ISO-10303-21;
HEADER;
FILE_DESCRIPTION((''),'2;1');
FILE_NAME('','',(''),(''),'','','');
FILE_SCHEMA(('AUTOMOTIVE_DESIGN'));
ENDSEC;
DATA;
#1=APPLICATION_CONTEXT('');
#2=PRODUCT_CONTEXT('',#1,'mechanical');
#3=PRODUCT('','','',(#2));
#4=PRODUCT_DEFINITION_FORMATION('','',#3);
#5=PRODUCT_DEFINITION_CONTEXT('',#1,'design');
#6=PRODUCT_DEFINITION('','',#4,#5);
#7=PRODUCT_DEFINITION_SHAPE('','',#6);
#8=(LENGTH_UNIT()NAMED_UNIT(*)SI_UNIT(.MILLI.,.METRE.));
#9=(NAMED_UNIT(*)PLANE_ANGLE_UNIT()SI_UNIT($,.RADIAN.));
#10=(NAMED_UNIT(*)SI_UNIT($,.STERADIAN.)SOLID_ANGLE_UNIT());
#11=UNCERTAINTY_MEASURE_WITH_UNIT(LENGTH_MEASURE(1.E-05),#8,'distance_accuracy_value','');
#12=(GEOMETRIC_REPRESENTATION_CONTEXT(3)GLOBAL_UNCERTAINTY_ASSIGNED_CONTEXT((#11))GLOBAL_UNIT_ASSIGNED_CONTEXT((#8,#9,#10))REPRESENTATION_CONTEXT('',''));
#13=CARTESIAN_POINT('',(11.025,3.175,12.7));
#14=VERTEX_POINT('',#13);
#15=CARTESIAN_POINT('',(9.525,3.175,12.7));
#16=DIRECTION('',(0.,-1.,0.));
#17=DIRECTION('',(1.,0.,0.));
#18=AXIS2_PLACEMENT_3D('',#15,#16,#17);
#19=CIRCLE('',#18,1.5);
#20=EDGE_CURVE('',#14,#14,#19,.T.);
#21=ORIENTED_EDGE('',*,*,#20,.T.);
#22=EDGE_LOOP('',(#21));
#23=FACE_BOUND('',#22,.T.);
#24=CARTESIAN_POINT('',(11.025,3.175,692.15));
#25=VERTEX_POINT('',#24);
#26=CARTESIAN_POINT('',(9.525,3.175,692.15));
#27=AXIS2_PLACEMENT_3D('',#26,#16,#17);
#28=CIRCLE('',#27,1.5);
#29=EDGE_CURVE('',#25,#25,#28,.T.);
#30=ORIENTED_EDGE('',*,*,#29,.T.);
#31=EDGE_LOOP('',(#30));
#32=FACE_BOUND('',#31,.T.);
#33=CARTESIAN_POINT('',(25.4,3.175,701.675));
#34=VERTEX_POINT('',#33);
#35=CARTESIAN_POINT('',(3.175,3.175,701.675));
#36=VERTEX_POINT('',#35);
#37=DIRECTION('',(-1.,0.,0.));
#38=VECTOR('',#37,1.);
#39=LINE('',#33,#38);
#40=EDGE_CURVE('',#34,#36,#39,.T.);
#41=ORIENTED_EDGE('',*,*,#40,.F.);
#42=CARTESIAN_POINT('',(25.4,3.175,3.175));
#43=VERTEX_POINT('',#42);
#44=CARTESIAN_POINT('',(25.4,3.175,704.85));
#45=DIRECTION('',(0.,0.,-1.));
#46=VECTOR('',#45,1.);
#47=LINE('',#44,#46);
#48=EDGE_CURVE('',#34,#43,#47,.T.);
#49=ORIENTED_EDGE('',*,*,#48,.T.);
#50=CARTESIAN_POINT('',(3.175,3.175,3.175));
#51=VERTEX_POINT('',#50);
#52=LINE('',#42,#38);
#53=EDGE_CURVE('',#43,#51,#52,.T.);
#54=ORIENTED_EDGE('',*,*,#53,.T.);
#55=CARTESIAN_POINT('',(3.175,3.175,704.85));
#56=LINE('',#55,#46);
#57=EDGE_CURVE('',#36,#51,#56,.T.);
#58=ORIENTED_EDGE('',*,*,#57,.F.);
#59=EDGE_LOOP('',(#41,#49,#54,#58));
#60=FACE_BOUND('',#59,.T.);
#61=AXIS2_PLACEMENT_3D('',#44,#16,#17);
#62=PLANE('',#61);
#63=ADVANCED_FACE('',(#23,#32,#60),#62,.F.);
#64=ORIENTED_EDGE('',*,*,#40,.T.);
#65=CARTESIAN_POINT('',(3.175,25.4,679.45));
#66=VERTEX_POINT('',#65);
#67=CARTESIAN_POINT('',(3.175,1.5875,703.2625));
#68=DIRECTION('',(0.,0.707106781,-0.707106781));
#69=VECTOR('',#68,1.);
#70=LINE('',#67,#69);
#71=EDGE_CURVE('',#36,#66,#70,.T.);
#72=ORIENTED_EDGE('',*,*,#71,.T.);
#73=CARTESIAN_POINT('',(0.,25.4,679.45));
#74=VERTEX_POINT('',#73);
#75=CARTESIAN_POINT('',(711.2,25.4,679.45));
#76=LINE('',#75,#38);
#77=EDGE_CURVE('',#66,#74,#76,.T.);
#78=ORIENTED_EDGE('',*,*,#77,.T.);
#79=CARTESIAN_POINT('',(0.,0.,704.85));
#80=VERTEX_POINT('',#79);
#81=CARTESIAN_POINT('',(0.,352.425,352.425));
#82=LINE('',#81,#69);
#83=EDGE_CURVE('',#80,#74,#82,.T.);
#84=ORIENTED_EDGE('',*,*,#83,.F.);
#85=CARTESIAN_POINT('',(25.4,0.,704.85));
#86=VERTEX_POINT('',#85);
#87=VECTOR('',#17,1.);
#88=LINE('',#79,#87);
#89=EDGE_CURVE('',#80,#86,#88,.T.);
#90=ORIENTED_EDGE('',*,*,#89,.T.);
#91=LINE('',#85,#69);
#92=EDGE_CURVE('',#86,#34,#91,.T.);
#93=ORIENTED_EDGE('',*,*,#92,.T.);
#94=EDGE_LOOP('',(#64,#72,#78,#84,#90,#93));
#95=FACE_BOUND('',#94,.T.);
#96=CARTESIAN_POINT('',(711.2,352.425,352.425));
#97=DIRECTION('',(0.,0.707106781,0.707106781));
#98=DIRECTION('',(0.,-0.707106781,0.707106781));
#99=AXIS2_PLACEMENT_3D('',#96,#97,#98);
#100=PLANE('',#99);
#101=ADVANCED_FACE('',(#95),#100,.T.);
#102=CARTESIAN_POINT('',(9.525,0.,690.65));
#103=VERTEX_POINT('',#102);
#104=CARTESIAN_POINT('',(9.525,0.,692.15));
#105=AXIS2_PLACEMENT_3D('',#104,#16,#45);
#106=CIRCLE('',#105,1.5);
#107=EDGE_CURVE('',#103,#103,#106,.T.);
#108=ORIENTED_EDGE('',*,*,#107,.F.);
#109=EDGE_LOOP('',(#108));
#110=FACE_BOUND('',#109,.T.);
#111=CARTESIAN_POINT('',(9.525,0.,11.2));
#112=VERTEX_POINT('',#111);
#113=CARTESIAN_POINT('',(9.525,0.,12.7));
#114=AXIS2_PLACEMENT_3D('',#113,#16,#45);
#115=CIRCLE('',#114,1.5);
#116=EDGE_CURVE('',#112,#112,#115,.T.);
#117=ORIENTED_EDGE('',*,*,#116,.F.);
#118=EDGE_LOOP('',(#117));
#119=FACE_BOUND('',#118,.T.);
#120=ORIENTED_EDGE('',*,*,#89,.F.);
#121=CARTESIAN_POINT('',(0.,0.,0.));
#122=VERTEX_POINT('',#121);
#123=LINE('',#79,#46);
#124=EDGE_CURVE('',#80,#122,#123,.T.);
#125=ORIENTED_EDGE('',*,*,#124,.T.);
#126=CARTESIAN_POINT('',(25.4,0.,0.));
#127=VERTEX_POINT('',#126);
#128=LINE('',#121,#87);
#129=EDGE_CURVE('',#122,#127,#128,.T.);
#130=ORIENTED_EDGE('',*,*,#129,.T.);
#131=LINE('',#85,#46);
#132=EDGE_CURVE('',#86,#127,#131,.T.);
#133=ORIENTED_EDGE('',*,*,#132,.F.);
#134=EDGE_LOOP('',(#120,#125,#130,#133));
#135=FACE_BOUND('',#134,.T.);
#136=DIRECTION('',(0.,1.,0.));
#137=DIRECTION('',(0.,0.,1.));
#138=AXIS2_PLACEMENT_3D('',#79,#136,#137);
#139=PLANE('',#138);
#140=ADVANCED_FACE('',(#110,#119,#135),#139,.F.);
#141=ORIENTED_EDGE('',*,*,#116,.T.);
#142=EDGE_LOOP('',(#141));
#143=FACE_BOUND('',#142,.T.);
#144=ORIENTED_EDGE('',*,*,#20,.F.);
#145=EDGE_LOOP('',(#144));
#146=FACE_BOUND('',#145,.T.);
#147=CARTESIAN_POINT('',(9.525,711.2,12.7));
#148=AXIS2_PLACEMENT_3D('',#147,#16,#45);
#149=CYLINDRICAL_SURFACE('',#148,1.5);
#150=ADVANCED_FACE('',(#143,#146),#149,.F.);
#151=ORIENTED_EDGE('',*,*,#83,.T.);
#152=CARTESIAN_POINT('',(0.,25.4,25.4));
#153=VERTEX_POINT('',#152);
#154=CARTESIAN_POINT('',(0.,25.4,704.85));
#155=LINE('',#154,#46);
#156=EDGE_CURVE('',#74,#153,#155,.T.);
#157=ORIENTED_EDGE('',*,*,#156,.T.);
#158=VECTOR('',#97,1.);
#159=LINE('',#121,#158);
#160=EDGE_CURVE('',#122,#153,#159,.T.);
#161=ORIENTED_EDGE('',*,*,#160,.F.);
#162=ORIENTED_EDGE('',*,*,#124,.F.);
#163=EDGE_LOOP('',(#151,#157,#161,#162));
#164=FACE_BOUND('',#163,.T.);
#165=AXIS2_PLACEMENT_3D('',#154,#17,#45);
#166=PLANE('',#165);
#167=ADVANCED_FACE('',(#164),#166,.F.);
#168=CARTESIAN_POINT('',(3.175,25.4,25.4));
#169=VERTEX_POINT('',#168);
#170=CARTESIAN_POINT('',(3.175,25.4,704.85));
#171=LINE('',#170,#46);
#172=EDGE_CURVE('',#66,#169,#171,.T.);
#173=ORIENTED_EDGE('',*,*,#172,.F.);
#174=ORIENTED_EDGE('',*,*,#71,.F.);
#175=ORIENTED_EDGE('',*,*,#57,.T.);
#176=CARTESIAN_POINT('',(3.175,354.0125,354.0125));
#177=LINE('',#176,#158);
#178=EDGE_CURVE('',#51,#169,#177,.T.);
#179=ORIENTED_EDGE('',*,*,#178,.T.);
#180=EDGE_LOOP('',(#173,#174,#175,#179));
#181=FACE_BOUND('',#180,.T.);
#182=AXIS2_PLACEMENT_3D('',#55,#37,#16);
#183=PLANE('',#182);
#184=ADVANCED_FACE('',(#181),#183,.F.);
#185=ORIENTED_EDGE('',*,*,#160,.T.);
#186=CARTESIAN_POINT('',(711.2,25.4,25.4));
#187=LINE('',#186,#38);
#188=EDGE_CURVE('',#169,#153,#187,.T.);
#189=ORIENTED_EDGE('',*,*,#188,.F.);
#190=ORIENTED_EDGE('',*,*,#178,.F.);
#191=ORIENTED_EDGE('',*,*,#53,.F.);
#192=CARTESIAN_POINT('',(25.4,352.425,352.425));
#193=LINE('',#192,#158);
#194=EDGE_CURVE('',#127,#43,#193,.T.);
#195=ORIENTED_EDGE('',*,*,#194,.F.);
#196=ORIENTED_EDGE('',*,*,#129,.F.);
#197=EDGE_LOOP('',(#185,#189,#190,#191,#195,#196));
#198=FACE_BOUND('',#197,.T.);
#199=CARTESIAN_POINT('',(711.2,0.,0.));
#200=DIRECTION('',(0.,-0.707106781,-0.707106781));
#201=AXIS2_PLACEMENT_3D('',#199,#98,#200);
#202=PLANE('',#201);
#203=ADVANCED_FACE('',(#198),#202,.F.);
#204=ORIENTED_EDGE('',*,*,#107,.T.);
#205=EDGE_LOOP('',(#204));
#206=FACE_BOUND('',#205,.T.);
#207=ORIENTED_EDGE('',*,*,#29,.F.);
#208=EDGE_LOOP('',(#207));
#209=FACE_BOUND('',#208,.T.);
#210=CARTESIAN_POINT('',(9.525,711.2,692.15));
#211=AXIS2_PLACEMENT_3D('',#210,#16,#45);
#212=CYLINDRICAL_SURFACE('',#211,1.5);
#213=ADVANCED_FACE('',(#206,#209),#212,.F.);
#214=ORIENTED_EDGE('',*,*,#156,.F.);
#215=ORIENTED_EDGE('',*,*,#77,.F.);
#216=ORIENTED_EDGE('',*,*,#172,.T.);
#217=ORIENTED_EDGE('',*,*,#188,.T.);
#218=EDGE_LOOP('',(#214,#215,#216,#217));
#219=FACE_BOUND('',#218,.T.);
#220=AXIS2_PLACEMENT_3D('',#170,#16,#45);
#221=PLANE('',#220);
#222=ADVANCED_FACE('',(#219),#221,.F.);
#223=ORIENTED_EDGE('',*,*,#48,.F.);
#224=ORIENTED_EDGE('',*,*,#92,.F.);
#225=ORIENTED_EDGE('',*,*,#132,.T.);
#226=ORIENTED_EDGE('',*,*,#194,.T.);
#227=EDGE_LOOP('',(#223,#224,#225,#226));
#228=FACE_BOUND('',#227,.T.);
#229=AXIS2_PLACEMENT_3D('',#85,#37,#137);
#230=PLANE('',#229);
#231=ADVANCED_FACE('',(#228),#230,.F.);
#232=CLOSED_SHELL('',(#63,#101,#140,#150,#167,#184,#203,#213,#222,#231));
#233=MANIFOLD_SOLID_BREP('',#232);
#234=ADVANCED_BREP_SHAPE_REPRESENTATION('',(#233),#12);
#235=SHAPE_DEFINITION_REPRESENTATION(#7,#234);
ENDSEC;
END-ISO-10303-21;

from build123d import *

# Parameters (mm, degrees)
BOSS_EXTRUDE1_DEPTH = 704.85
CUT_EXTRUDE1_DEPTH  = 711.2
SKETCH3_R           = 1.5
CUT_EXTRUDE2_DEPTH  = 711.2


with BuildPart() as part:
    # Sketch1 → Boss-Extrude1 (new body)
    with BuildSketch(Plane.XY):
        Polygon((0, 25.4), (0, 0), (25.4, 0), (25.4, 3.175), (3.175, 3.175), (3.175, 25.4), align=None)
    extrude(amount=BOSS_EXTRUDE1_DEPTH)

    # Sketch2 → Cut-Extrude1 (cut)
    with BuildSketch(Plane.ZY):
        Polygon((0, 8.542079309), (0, 0), (25.4, 25.4), (0, 25.4), align=None)
        Polygon((704.85, 25.4), (679.45, 25.4), (704.85, 0), align=None)
    extrude(amount=-CUT_EXTRUDE1_DEPTH, mode=Mode.SUBTRACT)

    # Sketch3 → Cut-Extrude2 (cut)
    with BuildSketch(Plane.XZ):
        with Locations((9.525, 692.15)):
            Circle(SKETCH3_R)
        with Locations((9.525, 12.7)):
            Circle(SKETCH3_R)
    extrude(amount=-CUT_EXTRUDE2_DEPTH, mode=Mode.SUBTRACT)


solid = part.part
